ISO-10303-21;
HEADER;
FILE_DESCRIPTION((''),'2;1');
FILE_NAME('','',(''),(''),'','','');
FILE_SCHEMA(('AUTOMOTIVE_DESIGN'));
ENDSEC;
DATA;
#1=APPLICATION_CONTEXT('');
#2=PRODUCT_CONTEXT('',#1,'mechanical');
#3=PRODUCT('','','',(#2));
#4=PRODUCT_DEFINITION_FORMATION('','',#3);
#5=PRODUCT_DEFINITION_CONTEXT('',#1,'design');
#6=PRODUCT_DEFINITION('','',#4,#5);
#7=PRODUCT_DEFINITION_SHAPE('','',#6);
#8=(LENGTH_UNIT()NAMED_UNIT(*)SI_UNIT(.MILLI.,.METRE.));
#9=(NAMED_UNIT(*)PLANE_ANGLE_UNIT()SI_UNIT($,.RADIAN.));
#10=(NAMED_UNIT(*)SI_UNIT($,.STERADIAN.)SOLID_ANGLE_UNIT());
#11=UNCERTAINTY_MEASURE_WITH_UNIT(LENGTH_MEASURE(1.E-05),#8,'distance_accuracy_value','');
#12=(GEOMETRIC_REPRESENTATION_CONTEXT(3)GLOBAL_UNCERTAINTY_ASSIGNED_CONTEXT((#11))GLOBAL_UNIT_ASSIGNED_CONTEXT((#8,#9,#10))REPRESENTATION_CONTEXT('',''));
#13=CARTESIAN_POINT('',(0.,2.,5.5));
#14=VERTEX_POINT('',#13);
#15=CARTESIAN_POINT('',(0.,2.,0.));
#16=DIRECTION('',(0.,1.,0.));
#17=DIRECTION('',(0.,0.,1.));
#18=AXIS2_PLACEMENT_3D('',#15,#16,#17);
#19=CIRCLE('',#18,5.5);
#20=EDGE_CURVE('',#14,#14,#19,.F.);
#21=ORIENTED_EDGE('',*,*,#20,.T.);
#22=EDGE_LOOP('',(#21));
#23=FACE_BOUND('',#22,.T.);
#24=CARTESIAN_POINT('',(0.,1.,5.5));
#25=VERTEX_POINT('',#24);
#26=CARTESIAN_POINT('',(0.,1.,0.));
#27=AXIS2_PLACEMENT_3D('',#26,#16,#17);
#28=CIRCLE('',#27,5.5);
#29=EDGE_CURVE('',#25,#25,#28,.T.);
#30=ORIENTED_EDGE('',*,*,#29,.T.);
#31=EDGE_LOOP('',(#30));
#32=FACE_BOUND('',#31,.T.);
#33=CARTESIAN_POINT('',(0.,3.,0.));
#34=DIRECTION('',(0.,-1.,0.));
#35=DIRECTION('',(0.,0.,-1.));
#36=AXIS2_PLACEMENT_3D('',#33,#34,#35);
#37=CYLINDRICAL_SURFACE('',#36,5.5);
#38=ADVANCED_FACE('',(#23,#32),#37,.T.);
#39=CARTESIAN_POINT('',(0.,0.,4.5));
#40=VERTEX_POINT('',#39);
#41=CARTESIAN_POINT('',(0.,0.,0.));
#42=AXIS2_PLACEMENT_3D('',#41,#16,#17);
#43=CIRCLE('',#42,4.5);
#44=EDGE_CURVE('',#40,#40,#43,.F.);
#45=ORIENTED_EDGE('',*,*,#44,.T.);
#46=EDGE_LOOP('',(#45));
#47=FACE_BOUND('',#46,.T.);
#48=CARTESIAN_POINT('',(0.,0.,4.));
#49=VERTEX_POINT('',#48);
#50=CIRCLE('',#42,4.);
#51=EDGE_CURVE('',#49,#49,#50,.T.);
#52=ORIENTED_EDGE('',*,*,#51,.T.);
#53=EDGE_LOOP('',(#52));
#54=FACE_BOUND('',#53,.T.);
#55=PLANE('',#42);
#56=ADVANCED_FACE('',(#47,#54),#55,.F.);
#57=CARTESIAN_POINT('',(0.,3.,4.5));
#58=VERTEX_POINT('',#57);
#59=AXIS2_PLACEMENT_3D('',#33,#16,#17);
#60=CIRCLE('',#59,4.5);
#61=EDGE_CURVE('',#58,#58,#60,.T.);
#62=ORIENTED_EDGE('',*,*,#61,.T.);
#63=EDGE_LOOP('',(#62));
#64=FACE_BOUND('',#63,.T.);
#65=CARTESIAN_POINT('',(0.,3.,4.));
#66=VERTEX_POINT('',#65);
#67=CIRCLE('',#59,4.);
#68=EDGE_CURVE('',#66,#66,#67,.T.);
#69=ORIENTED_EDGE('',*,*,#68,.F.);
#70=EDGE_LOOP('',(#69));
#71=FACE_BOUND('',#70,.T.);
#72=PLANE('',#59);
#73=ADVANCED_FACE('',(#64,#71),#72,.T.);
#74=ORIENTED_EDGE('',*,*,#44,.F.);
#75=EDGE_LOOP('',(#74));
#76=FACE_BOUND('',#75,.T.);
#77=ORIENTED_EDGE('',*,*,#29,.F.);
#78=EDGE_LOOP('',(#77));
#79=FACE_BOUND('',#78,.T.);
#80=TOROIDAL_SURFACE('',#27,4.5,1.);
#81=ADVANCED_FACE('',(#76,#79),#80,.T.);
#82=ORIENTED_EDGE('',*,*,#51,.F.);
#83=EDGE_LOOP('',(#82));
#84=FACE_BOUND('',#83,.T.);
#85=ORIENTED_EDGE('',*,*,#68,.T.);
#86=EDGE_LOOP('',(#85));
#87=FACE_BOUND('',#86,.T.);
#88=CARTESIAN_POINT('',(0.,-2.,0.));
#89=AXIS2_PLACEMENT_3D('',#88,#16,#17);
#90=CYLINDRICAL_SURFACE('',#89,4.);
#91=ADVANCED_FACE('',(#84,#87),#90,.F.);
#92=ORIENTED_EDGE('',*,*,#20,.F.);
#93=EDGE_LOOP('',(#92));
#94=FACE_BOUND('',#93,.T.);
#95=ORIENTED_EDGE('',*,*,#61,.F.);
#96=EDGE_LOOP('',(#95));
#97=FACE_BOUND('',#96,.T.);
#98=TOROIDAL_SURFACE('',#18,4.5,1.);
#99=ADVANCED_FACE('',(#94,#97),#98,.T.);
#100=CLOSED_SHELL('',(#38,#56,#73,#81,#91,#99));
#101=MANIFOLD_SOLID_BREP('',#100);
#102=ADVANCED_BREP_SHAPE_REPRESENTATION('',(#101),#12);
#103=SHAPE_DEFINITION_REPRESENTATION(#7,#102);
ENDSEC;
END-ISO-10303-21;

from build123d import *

# Parameters (mm, degrees)
CROQUIS1_R              = 5.5
SALIENTE_EXTRUIR1_DEPTH = 3
CROQUIS2_R              = 4
CORTAR_EXTRUIR1_DEPTH   = 5
REDONDEO1_R             = 1
REDONDEO2_R             = 1


with BuildPart() as part:
    # Croquis1 → Saliente-Extruir1 (new body)
    with BuildSketch(Plane(origin=(0, 0, 0), x_dir=(1, 0, 0), z_dir=(0, 1, 0))):
        with Locations(Location((0, 0, 0), (0, 0, 270))):
            Circle(CROQUIS1_R)
    extrude(amount=SALIENTE_EXTRUIR1_DEPTH)

    # Croquis2 → Cortar-Extruir1 (cut)
    with BuildSketch(Plane(origin=(0, 3, 0), x_dir=(1, 0, 0), z_dir=(0, 1, 0))):
        with Locations(Location((0, 0, 0), (0, 0, 270))):
            Circle(CROQUIS2_R)
    extrude(amount=-CORTAR_EXTRUIR1_DEPTH, mode=Mode.SUBTRACT)

    # Redondeo1
    redondeo1_edges = [part.edges().sort_by_distance(p)[0] for p in [
        (0, 3, -5.5),
    ]]
    fillet(redondeo1_edges, radius=REDONDEO1_R)

    # Redondeo2
    redondeo2_edges = [part.edges().sort_by_distance(p)[0] for p in [
        (0, 0, -5.5),
    ]]
    fillet(redondeo2_edges, radius=REDONDEO2_R)


solid = part.part
